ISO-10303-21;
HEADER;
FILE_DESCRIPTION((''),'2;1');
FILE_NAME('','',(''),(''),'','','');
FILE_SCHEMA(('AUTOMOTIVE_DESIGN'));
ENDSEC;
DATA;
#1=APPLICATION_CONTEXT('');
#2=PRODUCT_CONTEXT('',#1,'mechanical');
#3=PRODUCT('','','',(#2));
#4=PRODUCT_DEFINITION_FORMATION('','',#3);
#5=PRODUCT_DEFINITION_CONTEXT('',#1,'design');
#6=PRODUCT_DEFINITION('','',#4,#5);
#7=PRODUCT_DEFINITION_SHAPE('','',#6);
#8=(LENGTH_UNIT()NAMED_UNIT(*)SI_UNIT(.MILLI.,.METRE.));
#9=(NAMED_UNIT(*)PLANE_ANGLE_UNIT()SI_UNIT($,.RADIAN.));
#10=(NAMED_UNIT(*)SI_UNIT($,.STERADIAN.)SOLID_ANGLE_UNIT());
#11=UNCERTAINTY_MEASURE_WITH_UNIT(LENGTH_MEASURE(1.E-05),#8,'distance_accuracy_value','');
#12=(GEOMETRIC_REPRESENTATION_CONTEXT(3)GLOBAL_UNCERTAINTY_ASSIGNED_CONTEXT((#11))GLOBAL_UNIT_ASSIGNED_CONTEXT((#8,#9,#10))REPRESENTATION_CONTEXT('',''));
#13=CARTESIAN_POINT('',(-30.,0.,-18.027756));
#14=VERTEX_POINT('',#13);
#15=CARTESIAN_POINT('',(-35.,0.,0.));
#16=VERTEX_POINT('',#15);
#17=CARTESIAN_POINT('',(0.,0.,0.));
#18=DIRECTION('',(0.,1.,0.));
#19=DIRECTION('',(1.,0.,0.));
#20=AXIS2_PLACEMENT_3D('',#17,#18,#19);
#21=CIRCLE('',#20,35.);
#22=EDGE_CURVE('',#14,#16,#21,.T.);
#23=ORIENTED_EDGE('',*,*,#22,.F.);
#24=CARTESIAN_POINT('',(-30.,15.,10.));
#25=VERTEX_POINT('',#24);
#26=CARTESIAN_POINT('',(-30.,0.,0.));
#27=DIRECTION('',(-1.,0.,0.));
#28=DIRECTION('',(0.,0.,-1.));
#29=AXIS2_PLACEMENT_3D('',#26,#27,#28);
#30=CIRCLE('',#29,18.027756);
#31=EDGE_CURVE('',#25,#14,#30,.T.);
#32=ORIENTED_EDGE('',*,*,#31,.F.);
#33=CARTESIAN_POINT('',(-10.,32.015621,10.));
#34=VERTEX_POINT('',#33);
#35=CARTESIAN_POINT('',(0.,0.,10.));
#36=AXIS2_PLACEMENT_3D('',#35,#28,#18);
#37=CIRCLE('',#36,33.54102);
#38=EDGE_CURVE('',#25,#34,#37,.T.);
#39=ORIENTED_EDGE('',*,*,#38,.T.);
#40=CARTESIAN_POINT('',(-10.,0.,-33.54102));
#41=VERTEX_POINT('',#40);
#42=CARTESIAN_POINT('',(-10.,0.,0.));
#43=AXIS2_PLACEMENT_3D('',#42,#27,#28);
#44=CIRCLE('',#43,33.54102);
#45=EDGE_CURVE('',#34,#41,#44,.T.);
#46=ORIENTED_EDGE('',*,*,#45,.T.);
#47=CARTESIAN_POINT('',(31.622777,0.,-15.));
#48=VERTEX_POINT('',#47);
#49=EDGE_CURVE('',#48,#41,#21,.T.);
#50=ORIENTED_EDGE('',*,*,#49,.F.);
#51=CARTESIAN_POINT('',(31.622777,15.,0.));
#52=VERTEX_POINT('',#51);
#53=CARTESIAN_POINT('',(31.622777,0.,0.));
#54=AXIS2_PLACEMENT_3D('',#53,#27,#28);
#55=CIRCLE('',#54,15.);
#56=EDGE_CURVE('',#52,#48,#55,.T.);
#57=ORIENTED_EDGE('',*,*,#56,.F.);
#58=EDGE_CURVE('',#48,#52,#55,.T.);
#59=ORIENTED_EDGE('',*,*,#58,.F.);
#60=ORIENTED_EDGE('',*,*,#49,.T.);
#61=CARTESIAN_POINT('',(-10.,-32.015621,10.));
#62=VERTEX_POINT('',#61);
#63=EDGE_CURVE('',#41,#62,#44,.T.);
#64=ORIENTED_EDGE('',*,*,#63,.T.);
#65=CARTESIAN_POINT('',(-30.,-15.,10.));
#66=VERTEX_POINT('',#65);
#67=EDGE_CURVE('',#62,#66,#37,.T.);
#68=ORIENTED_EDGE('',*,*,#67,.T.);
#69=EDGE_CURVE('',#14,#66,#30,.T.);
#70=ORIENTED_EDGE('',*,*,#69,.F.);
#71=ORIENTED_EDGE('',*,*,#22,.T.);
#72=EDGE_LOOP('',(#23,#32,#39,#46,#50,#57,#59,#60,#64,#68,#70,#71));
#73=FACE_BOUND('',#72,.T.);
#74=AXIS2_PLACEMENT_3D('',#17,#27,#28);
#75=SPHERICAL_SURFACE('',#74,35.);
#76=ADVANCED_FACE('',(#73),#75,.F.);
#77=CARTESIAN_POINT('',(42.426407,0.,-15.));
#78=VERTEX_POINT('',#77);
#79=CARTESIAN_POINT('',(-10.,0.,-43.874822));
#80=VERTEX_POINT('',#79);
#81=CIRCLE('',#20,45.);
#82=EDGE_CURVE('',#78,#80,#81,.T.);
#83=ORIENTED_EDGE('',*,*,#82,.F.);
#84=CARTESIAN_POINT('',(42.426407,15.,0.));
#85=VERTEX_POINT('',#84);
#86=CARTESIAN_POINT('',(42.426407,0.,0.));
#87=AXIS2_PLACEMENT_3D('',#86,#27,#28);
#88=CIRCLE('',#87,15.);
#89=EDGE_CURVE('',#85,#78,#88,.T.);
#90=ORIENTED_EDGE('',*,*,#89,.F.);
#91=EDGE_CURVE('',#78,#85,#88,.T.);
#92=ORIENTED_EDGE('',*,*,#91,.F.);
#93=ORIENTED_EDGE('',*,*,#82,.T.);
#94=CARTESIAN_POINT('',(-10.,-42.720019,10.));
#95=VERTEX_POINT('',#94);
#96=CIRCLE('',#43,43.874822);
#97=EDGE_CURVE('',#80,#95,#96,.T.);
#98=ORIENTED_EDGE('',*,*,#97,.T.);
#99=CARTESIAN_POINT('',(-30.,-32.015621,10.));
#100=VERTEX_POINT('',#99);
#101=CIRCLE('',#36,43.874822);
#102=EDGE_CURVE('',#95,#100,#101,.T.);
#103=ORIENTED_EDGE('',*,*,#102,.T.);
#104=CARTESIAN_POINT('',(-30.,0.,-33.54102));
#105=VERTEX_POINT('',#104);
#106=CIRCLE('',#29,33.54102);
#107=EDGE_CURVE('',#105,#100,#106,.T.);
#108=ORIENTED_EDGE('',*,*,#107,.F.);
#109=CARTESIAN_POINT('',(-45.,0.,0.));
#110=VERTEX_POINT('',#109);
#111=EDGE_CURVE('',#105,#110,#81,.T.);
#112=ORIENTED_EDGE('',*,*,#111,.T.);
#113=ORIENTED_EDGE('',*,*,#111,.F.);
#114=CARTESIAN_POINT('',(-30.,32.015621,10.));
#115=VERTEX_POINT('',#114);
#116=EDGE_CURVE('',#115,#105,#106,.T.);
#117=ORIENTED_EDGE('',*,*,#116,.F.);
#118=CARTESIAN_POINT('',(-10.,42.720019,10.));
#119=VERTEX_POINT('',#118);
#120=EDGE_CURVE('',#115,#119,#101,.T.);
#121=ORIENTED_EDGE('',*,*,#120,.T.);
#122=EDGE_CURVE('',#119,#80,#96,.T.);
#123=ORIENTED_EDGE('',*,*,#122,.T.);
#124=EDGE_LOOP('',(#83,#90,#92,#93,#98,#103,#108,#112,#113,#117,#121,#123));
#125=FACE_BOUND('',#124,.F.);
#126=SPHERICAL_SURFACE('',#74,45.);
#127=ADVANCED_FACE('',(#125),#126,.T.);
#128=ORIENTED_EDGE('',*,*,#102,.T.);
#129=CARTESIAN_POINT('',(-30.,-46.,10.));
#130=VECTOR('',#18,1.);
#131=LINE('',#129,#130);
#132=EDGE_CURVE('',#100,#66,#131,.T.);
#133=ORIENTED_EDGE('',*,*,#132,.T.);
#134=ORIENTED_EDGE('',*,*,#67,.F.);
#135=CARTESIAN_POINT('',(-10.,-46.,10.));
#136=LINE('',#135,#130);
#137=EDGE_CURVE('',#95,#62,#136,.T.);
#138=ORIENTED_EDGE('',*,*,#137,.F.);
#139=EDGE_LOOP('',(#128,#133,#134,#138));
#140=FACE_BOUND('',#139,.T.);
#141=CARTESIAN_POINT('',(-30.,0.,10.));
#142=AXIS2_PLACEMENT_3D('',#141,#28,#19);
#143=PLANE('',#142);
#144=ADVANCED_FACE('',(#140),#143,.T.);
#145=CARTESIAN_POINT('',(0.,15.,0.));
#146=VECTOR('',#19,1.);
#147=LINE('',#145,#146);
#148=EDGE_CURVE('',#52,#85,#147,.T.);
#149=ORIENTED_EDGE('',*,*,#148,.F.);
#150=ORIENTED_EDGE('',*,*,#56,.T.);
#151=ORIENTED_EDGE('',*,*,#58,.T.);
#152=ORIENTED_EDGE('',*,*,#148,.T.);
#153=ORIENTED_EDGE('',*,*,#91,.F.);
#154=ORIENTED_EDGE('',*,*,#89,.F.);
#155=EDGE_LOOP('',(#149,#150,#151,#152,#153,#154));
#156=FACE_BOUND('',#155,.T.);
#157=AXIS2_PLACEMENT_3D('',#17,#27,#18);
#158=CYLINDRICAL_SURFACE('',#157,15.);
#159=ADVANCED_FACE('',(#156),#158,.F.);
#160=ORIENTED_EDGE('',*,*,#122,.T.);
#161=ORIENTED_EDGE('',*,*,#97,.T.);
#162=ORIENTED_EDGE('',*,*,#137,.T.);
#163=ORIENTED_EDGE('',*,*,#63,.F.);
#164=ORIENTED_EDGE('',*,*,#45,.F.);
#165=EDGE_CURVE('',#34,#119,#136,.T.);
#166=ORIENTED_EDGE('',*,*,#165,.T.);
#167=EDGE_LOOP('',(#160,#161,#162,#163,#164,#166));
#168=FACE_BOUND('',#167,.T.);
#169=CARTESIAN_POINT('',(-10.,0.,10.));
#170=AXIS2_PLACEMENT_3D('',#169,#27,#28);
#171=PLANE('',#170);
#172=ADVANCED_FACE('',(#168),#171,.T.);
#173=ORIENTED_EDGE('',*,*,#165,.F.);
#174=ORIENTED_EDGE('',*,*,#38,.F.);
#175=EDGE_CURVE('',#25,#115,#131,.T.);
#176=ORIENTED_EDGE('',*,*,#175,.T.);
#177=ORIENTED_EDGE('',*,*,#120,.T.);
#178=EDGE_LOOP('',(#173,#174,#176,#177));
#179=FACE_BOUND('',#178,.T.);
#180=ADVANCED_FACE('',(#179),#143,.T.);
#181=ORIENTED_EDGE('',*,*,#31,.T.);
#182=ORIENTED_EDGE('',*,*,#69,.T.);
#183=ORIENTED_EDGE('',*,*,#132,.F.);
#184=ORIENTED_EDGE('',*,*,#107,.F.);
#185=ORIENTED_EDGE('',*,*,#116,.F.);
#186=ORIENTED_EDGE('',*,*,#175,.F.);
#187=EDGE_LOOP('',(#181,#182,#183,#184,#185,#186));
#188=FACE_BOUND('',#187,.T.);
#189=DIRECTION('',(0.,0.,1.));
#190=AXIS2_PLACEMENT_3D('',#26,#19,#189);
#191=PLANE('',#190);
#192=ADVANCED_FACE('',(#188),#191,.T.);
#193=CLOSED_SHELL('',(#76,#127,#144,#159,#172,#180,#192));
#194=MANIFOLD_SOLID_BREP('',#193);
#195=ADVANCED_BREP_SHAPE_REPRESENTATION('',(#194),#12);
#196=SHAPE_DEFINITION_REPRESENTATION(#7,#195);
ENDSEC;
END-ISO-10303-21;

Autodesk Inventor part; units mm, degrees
ref_plane "YZ Plane" through (0, 0, 0) normal (1, 0, 0) x (0, 1, 0)
ref_plane "XZ Plane" through (0, 0, 0) normal (0, 1, 0) x (-1, 0, 0)
ref_plane "XY Plane" through (0, 0, 0) normal (0, 0, 1) x (1, 0, 0)
sketch "Эскиз1" plane through (0, 0, 0) normal (0, 1, 0) x (-1, 0, 0)
  arc A0 (-45, 0) -> (45, 0) centre (0, 0) ccw
  arc A1 (-35, 0) -> (35, 0) centre (0, 0) ccw
  line L0 (45, 0) -> (35, 0)
  line L1 (-35, 0) -> (-45, 0)
  line L2 (63, 0) -> (-63, 0) projected
  dimension "d0" = 45
  dimension "d1" = 35
revolve "Вращение1" add sketch "Эскиз1" angle 360 about axis through (-10, 0, 0) along (1, 0, 0) contours L1 A1 L0 A0
sketch "Эскиз2" plane through (0, 0, 0) normal (0, 1, 0) x (-1, 0, 0)
  line L0 (30, 10) -> (10, 10)
  line L1 (10, 10) -> (10, -45)
  line L2 (10, -45) -> (30, -45)
  line L3 (30, -45) -> (30, 10)
  line L4 (0, -87.9025) -> (0, 67.1504) projected
  line L5 (63, 0) -> (-63, 0) projected
  circle A0 centre (0, 0) radius 45 projected
  dimension "d3" = 10
  dimension "d4" = 20
  dimension "d5" = 10
extrude "Выдавливание1" cut sketch "Эскиз2" along normal through all both and the other way through all contours L3 L5 L1 L0 | L3 A0 L1 L5 | L3 L2 L1 A0
sketch "Эскиз3" plane through (0, 0, 0) normal (1, 0, 0) x (0, 1, 0)
  circle A0 centre (0, 0) radius 15
  dimension "d8" = 30
extrude "Выдавливание2" cut sketch "Эскиз3" along normal through all
properties part number "Пирамида"
